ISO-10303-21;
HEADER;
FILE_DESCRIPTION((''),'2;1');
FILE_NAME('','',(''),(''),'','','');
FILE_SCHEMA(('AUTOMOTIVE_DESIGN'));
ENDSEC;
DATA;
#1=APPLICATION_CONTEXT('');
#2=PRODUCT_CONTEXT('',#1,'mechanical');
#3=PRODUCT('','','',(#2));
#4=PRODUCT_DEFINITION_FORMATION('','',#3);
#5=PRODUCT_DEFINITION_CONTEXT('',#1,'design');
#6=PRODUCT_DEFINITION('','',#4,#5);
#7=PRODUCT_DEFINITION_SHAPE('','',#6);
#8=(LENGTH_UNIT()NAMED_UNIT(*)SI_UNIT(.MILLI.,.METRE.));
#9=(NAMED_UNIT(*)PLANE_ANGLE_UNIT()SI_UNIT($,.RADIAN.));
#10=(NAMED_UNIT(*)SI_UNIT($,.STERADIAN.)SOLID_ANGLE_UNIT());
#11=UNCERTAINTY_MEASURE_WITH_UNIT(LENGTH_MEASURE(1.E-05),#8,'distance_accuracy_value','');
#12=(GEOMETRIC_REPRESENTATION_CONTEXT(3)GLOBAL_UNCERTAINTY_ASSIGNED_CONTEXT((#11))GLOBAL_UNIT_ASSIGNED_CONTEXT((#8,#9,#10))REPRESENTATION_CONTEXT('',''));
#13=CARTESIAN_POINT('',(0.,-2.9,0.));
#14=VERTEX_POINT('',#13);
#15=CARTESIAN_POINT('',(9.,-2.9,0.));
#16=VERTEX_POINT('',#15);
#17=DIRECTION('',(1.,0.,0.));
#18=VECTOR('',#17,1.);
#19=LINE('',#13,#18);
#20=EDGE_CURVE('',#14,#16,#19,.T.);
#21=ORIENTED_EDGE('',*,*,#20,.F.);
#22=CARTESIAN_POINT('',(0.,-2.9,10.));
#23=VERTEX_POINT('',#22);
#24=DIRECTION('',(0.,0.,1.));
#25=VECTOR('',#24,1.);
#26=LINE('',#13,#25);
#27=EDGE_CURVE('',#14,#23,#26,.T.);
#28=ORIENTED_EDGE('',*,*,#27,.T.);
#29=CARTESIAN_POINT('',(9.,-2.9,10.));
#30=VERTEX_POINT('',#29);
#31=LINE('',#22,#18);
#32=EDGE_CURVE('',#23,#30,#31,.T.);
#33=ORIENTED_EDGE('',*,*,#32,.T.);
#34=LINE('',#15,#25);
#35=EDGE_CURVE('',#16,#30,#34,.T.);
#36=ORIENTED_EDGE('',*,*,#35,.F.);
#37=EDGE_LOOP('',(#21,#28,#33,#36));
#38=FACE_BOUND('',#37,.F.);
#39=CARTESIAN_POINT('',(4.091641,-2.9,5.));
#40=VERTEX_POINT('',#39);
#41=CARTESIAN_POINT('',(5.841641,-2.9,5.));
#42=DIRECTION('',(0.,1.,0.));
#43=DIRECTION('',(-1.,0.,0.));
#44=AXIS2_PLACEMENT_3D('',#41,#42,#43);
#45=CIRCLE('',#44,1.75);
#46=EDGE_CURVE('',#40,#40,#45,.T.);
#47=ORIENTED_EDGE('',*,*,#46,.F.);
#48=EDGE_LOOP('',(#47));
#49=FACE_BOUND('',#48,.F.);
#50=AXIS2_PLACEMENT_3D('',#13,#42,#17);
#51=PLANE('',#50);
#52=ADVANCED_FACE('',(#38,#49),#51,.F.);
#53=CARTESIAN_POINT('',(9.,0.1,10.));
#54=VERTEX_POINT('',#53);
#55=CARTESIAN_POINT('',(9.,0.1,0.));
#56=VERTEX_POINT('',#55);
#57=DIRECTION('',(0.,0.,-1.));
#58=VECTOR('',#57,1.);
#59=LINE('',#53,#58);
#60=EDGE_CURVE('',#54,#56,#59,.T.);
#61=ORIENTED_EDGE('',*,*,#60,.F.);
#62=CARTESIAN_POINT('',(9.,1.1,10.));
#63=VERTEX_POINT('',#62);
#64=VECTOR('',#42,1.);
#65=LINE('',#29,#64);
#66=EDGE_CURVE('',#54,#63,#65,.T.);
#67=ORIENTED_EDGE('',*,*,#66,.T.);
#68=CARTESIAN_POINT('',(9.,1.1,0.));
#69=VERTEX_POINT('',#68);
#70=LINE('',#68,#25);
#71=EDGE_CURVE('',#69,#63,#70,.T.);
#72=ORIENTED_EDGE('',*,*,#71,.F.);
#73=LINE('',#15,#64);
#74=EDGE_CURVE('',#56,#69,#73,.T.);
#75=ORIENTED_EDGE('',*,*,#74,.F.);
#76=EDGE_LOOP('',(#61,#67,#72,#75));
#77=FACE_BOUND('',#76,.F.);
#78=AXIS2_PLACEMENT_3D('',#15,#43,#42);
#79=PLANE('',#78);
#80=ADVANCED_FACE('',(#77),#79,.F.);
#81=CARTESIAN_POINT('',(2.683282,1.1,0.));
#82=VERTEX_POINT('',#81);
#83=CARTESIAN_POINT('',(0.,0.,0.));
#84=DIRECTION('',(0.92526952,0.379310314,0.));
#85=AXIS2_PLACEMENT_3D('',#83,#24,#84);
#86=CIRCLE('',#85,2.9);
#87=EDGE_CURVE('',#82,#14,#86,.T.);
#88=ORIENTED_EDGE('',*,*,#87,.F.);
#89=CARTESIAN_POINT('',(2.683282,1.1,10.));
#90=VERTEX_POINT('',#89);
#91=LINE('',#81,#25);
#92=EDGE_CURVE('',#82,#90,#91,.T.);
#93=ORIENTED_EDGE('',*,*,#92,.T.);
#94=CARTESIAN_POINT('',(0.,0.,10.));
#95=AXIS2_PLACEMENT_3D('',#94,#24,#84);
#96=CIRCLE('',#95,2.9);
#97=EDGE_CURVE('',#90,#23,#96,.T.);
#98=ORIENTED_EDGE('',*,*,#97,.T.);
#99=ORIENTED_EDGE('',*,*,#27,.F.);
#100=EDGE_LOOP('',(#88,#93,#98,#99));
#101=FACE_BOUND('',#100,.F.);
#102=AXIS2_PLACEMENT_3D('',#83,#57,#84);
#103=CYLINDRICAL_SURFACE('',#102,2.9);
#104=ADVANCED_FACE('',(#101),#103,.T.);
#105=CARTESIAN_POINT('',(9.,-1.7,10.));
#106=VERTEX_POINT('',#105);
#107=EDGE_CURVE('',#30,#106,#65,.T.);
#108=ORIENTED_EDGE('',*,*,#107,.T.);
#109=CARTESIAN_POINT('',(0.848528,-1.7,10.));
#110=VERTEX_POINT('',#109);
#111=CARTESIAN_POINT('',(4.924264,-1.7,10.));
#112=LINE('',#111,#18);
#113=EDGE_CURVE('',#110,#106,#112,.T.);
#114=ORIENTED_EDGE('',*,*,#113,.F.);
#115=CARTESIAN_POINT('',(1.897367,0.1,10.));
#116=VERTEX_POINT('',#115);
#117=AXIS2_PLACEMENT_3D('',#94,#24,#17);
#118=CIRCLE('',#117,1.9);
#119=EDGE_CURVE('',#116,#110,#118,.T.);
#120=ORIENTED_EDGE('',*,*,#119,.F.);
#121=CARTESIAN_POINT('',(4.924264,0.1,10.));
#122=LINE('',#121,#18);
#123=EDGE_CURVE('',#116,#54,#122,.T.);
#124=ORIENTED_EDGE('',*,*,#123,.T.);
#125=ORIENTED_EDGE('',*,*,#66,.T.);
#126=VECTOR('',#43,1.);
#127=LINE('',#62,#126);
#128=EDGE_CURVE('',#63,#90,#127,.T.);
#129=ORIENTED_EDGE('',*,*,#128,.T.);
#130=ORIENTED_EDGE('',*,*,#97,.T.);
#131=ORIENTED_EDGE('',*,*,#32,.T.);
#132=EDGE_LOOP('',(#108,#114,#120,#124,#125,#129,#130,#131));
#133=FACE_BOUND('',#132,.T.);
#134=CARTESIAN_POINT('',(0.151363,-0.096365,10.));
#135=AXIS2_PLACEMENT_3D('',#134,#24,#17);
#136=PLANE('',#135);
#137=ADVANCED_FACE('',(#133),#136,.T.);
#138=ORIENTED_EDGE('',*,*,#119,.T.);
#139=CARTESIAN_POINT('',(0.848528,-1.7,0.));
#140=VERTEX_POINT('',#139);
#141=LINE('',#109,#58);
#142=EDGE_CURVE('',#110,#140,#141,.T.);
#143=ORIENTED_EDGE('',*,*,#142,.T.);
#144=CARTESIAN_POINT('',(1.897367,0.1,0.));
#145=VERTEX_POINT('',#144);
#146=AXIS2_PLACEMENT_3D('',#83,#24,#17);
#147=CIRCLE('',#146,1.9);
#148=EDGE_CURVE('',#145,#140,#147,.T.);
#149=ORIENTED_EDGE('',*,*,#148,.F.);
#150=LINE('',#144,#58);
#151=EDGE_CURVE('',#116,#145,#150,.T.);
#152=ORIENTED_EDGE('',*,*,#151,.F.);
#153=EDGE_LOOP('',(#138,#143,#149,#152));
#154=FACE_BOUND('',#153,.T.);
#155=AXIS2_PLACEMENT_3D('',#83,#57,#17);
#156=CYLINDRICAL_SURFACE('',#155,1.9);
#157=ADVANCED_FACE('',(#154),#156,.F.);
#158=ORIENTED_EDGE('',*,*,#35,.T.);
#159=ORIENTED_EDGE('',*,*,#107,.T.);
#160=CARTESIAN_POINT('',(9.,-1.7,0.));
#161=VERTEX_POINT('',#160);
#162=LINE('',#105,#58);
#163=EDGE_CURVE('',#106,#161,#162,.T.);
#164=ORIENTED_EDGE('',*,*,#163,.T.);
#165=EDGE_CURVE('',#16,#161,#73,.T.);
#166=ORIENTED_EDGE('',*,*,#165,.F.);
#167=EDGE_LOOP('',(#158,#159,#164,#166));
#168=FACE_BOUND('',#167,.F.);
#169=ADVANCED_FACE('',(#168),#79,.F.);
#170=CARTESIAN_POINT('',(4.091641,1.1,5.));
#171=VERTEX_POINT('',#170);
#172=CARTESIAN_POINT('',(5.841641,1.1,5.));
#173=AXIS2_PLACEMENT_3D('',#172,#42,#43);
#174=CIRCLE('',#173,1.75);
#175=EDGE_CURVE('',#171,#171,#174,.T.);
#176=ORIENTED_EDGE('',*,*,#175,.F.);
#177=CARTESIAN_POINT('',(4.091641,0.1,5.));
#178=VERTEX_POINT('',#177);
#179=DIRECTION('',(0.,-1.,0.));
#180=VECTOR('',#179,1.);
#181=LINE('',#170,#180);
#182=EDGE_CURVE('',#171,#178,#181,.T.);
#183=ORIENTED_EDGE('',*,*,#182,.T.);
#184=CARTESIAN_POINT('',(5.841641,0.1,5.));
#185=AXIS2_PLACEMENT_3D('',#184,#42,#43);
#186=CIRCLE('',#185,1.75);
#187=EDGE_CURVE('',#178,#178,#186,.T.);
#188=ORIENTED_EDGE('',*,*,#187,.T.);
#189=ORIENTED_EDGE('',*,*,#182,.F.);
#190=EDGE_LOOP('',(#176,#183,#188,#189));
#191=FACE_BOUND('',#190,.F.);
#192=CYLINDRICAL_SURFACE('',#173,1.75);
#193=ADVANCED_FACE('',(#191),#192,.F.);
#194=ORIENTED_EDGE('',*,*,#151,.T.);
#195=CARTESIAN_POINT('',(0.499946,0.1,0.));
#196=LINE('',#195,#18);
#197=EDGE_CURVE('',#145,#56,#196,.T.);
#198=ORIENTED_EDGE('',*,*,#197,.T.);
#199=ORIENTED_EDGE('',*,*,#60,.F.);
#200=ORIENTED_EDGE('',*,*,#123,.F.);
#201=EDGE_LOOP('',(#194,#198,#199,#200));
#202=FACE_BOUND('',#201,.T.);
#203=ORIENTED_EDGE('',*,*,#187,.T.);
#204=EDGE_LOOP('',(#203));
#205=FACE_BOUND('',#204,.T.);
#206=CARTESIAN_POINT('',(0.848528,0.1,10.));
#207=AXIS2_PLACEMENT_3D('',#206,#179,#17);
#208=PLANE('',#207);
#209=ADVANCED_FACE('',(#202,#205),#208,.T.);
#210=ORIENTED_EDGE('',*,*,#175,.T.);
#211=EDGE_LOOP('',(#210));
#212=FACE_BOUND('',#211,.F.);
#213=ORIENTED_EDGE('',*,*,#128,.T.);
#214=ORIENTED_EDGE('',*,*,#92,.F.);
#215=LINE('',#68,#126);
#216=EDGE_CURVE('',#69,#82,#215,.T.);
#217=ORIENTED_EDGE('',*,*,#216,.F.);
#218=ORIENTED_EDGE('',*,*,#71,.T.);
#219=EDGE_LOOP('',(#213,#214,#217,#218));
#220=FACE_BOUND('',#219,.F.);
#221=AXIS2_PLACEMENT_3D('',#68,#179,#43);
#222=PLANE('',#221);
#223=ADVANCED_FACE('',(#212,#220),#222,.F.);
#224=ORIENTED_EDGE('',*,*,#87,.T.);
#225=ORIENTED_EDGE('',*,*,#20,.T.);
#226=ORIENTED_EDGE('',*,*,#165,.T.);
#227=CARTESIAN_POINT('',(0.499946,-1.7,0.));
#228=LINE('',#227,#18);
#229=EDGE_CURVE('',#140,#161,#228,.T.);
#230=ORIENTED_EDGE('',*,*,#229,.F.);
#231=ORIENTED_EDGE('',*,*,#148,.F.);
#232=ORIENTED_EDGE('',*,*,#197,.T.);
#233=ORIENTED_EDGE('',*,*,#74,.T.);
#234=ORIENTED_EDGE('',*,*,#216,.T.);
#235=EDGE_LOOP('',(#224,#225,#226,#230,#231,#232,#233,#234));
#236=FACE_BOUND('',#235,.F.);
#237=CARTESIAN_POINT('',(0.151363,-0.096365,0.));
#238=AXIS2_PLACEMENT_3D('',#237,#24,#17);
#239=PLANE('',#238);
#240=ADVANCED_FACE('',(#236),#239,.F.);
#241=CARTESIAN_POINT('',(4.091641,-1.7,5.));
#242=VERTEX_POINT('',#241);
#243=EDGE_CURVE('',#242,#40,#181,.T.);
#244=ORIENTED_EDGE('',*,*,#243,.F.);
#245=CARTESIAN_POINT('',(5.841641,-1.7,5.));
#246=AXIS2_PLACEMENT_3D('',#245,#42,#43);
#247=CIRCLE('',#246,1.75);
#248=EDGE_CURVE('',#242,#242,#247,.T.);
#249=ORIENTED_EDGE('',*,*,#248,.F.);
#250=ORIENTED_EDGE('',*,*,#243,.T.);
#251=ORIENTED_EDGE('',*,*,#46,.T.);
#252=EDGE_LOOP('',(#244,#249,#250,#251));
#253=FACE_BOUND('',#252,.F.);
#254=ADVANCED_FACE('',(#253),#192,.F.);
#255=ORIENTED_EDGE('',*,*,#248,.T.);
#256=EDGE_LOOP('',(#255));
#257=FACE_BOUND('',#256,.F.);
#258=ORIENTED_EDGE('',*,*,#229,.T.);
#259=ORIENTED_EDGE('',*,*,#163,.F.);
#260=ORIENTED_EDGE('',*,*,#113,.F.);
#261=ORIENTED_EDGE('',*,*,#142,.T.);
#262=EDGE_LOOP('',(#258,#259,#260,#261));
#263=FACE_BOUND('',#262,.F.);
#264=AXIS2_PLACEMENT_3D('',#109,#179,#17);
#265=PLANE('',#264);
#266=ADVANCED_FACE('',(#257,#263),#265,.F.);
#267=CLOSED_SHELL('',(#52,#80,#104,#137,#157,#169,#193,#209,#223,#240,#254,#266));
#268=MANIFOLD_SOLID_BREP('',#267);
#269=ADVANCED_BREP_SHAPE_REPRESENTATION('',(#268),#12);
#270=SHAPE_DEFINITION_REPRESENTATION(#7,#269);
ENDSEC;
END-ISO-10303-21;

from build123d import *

# Parameters (mm, degrees)
F0_R     = 1.9
F1_DEPTH = 10
F2_W     = 8.151472
F2_H     = 1.8
F3_DEPTH = 25
F4_R     = 1.75
F5_DEPTH = 25


with BuildPart() as f1:
    # F0 (on Top) → F1 (new body)
    with BuildSketch(Plane.XY):
        with BuildLine():
            ThreePointArc((0, -2.9), (2.05061, -2.05061), (2.9, 0))
            ThreePointArc((2.9, 0), (2.845305, 0.560573), (2.683282, 1.1))
            ThreePointArc((2.683282, 1.1), (-2.408319, 1.615549), (0, -2.9))
        make_face()
        Circle(F0_R, mode=Mode.SUBTRACT)
        with BuildLine():
            ThreePointArc((2.683282, 1.1), (2.845305, 0.560573), (2.9, 0))
            ThreePointArc((2.9, 0), (2.05061, -2.05061), (0, -2.9))
            Line((0, -2.9), (9, -2.9))
            Line((9, -2.9), (9, 1.1))
            Line((9, 1.1), (2.683282, 1.1))
        make_face()
    extrude(amount=F1_DEPTH)

    # F2 (on face) → F3 (cut)
    with BuildSketch(Plane.XY.offset(10)):
        with Locations((4.924264, -0.8)):
            Rectangle(F2_W, F2_H)
    extrude(amount=-F3_DEPTH, mode=Mode.SUBTRACT)

    # F4 (on face) → F5 (cut)
    with BuildSketch(Plane(origin=(0, 1.1, 0), x_dir=(-1, 0, 0), z_dir=(0, 1, 0))):
        with Locations((-5.841641, 5)):
            Circle(F4_R)
    extrude(amount=-F5_DEPTH, mode=Mode.SUBTRACT)


solid = f1.part
